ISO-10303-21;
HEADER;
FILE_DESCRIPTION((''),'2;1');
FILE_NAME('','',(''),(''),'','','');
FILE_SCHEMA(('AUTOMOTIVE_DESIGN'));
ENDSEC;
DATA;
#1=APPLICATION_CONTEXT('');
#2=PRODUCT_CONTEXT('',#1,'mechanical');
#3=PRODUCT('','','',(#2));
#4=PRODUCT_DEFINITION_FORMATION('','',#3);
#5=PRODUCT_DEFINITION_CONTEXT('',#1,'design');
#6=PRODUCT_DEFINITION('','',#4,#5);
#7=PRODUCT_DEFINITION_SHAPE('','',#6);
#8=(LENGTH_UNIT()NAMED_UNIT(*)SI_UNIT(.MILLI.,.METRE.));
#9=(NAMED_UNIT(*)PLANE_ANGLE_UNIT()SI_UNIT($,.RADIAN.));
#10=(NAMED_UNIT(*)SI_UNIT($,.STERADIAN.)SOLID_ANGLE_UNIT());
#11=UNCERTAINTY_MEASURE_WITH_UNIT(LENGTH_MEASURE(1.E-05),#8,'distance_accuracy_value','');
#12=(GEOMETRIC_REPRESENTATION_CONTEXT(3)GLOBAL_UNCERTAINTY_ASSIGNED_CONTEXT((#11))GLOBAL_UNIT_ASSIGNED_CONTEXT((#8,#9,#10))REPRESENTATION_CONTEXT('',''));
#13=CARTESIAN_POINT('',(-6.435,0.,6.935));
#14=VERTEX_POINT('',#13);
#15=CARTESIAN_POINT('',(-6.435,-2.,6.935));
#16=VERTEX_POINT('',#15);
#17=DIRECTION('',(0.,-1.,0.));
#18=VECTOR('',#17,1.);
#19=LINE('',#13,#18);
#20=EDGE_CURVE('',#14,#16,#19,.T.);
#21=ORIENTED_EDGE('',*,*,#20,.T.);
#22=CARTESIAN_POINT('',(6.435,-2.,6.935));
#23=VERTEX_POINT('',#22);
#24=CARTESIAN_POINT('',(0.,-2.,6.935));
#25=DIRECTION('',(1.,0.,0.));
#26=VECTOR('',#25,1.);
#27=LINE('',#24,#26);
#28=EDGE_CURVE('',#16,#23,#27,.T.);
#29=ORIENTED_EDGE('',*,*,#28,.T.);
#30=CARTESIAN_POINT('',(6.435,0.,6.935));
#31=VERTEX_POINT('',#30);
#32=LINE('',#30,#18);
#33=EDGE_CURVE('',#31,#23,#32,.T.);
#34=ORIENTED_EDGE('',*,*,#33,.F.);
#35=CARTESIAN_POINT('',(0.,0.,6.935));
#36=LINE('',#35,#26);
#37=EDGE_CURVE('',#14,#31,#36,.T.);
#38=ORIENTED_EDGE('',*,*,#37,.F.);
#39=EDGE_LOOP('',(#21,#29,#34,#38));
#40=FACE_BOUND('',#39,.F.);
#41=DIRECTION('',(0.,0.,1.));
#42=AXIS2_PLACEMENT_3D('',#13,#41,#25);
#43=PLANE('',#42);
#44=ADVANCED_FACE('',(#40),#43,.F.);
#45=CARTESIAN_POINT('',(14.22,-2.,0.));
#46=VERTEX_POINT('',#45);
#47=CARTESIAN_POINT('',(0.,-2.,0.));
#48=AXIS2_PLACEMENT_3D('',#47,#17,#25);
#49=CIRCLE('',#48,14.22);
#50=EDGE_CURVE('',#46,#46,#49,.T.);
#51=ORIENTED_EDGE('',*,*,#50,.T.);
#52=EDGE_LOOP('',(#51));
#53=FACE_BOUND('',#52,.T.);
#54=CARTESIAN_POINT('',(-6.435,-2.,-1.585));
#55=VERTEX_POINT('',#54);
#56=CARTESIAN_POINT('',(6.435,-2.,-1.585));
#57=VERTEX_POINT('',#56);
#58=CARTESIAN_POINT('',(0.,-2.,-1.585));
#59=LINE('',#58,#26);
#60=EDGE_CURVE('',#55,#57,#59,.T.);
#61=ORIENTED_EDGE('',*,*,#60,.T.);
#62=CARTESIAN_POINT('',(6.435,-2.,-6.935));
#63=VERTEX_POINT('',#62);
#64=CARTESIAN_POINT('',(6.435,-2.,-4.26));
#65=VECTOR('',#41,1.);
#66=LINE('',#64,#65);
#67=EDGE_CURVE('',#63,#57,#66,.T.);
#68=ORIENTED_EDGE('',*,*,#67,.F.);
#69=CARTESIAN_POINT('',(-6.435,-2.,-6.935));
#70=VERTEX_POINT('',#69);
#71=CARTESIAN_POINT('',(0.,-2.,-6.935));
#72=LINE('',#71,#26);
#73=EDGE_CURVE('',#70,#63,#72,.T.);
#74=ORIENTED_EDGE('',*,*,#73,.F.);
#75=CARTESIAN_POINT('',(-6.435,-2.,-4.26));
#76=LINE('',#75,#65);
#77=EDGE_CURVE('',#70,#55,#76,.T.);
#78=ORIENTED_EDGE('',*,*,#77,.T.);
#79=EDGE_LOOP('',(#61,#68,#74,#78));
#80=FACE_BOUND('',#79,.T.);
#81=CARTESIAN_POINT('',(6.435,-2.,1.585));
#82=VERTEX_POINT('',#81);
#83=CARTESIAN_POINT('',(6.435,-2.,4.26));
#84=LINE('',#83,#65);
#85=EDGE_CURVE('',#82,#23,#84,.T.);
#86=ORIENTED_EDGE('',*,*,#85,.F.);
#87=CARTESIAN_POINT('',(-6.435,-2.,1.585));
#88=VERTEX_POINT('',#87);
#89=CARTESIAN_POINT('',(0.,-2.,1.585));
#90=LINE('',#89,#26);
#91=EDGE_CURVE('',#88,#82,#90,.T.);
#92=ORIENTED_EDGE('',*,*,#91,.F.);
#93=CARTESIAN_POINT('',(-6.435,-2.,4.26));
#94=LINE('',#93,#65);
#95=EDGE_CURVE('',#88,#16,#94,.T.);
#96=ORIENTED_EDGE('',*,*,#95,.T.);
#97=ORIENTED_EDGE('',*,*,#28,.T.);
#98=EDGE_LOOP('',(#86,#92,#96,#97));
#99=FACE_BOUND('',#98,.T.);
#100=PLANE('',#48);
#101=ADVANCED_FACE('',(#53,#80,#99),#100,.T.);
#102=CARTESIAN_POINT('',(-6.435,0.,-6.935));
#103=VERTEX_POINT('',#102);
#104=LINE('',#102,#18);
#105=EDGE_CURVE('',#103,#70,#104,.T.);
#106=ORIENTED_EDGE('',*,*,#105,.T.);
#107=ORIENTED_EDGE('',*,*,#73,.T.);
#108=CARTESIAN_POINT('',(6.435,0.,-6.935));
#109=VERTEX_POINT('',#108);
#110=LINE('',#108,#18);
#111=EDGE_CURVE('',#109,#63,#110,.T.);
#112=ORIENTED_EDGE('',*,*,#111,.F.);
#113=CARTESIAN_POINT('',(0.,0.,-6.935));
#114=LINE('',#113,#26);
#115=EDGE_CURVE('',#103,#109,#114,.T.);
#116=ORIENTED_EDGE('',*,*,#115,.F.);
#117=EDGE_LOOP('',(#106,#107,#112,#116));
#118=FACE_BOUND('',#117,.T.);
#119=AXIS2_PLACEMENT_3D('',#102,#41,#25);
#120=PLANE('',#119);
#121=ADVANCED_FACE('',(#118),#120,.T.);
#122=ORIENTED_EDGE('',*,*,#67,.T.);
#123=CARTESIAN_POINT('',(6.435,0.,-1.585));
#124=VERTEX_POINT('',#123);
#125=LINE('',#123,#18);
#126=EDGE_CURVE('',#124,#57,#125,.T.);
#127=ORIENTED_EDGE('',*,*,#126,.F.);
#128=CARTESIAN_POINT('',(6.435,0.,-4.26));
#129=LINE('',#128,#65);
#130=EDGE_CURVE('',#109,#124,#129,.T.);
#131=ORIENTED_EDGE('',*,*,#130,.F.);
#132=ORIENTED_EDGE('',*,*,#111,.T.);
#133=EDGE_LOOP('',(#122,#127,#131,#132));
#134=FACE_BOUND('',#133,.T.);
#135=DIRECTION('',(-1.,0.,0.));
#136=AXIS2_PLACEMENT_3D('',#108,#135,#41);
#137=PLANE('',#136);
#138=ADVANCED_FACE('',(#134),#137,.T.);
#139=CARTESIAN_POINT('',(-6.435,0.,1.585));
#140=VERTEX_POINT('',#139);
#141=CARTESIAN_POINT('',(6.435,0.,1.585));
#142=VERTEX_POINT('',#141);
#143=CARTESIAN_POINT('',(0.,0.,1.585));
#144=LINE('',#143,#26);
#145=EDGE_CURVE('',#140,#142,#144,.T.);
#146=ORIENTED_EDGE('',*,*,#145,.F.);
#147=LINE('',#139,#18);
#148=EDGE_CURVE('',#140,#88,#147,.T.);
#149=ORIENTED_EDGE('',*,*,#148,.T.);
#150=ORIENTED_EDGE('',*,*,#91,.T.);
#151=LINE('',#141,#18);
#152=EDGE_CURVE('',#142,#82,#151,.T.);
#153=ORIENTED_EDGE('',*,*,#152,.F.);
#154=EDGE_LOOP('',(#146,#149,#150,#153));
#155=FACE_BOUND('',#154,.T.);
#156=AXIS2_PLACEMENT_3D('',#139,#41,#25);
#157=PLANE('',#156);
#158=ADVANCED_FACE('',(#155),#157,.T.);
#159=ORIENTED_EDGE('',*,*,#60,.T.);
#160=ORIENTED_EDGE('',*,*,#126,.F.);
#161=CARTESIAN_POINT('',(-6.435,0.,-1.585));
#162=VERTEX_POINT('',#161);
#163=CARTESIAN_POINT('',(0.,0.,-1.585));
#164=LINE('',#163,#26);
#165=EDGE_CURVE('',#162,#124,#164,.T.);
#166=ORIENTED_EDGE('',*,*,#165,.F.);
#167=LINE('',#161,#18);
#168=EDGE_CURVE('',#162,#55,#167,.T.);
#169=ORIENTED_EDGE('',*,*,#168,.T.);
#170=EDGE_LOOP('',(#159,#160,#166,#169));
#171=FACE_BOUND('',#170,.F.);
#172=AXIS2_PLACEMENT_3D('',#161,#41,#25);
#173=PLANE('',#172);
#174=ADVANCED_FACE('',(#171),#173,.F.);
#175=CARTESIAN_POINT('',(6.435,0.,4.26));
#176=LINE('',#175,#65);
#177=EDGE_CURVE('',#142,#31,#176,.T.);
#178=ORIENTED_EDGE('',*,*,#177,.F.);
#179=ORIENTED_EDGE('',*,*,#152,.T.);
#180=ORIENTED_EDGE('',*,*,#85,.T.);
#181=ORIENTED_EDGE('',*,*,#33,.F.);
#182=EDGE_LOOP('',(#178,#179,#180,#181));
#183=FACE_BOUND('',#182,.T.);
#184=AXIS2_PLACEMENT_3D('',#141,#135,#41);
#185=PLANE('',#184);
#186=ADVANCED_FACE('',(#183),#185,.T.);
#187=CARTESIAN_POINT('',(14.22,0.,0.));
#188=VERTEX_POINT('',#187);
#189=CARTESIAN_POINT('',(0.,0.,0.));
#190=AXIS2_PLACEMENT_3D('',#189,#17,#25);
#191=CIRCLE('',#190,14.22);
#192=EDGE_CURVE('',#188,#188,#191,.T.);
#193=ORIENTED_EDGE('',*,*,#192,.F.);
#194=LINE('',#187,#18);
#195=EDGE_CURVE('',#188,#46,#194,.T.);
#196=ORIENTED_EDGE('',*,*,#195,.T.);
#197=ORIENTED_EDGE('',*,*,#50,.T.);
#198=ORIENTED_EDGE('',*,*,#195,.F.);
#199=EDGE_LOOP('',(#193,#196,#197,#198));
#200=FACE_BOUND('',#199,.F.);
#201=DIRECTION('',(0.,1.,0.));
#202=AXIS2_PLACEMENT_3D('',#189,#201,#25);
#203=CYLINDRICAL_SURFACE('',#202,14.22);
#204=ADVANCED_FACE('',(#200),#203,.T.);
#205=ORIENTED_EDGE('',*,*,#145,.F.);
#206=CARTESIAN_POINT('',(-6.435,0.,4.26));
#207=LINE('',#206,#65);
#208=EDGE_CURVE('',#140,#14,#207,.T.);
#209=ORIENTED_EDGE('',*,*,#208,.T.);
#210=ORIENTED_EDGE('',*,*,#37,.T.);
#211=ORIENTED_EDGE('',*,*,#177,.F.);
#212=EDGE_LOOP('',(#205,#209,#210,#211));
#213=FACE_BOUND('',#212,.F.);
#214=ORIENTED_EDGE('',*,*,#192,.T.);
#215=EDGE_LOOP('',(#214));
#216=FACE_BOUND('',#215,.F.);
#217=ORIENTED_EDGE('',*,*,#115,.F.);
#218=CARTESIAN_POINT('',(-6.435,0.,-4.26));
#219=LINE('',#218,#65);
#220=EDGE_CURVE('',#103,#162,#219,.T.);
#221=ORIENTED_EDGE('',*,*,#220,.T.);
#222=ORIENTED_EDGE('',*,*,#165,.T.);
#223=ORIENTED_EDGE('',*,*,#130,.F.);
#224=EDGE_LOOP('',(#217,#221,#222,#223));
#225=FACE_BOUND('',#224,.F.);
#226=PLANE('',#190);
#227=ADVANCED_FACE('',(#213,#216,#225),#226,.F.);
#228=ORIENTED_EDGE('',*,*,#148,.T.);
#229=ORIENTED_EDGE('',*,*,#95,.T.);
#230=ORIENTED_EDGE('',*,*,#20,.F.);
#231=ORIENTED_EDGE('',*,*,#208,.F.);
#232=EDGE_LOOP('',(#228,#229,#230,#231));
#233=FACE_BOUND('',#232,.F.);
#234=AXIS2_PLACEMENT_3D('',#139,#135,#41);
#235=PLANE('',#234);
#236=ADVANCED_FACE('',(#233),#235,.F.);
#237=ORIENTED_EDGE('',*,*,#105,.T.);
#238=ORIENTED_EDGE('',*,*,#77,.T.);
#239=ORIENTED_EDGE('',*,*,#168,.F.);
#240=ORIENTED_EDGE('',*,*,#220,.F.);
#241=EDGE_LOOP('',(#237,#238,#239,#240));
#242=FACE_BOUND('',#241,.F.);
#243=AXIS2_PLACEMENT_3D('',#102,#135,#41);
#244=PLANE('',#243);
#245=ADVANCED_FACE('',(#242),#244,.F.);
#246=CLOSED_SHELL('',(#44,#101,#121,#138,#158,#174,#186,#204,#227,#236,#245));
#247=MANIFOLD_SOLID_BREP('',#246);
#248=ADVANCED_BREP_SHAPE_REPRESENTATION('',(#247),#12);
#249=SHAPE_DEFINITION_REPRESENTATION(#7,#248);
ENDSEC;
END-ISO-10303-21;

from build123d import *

# Parameters (mm, degrees)
F0_R     = 14.22
F0_W     = 12.87
F0_H     = 5.35
F1_DEPTH = 2


with BuildPart() as f1:
    # F0 (on Front) → F1 (new body)
    with BuildSketch(Plane.XZ):
        Circle(F0_R)
        with Locations((0, -4.26)):
            Rectangle(F0_W, F0_H, mode=Mode.SUBTRACT)
        with Locations((0, 4.26)):
            Rectangle(F0_W, F0_H, mode=Mode.SUBTRACT)
    extrude(amount=F1_DEPTH)


solid = f1.part
